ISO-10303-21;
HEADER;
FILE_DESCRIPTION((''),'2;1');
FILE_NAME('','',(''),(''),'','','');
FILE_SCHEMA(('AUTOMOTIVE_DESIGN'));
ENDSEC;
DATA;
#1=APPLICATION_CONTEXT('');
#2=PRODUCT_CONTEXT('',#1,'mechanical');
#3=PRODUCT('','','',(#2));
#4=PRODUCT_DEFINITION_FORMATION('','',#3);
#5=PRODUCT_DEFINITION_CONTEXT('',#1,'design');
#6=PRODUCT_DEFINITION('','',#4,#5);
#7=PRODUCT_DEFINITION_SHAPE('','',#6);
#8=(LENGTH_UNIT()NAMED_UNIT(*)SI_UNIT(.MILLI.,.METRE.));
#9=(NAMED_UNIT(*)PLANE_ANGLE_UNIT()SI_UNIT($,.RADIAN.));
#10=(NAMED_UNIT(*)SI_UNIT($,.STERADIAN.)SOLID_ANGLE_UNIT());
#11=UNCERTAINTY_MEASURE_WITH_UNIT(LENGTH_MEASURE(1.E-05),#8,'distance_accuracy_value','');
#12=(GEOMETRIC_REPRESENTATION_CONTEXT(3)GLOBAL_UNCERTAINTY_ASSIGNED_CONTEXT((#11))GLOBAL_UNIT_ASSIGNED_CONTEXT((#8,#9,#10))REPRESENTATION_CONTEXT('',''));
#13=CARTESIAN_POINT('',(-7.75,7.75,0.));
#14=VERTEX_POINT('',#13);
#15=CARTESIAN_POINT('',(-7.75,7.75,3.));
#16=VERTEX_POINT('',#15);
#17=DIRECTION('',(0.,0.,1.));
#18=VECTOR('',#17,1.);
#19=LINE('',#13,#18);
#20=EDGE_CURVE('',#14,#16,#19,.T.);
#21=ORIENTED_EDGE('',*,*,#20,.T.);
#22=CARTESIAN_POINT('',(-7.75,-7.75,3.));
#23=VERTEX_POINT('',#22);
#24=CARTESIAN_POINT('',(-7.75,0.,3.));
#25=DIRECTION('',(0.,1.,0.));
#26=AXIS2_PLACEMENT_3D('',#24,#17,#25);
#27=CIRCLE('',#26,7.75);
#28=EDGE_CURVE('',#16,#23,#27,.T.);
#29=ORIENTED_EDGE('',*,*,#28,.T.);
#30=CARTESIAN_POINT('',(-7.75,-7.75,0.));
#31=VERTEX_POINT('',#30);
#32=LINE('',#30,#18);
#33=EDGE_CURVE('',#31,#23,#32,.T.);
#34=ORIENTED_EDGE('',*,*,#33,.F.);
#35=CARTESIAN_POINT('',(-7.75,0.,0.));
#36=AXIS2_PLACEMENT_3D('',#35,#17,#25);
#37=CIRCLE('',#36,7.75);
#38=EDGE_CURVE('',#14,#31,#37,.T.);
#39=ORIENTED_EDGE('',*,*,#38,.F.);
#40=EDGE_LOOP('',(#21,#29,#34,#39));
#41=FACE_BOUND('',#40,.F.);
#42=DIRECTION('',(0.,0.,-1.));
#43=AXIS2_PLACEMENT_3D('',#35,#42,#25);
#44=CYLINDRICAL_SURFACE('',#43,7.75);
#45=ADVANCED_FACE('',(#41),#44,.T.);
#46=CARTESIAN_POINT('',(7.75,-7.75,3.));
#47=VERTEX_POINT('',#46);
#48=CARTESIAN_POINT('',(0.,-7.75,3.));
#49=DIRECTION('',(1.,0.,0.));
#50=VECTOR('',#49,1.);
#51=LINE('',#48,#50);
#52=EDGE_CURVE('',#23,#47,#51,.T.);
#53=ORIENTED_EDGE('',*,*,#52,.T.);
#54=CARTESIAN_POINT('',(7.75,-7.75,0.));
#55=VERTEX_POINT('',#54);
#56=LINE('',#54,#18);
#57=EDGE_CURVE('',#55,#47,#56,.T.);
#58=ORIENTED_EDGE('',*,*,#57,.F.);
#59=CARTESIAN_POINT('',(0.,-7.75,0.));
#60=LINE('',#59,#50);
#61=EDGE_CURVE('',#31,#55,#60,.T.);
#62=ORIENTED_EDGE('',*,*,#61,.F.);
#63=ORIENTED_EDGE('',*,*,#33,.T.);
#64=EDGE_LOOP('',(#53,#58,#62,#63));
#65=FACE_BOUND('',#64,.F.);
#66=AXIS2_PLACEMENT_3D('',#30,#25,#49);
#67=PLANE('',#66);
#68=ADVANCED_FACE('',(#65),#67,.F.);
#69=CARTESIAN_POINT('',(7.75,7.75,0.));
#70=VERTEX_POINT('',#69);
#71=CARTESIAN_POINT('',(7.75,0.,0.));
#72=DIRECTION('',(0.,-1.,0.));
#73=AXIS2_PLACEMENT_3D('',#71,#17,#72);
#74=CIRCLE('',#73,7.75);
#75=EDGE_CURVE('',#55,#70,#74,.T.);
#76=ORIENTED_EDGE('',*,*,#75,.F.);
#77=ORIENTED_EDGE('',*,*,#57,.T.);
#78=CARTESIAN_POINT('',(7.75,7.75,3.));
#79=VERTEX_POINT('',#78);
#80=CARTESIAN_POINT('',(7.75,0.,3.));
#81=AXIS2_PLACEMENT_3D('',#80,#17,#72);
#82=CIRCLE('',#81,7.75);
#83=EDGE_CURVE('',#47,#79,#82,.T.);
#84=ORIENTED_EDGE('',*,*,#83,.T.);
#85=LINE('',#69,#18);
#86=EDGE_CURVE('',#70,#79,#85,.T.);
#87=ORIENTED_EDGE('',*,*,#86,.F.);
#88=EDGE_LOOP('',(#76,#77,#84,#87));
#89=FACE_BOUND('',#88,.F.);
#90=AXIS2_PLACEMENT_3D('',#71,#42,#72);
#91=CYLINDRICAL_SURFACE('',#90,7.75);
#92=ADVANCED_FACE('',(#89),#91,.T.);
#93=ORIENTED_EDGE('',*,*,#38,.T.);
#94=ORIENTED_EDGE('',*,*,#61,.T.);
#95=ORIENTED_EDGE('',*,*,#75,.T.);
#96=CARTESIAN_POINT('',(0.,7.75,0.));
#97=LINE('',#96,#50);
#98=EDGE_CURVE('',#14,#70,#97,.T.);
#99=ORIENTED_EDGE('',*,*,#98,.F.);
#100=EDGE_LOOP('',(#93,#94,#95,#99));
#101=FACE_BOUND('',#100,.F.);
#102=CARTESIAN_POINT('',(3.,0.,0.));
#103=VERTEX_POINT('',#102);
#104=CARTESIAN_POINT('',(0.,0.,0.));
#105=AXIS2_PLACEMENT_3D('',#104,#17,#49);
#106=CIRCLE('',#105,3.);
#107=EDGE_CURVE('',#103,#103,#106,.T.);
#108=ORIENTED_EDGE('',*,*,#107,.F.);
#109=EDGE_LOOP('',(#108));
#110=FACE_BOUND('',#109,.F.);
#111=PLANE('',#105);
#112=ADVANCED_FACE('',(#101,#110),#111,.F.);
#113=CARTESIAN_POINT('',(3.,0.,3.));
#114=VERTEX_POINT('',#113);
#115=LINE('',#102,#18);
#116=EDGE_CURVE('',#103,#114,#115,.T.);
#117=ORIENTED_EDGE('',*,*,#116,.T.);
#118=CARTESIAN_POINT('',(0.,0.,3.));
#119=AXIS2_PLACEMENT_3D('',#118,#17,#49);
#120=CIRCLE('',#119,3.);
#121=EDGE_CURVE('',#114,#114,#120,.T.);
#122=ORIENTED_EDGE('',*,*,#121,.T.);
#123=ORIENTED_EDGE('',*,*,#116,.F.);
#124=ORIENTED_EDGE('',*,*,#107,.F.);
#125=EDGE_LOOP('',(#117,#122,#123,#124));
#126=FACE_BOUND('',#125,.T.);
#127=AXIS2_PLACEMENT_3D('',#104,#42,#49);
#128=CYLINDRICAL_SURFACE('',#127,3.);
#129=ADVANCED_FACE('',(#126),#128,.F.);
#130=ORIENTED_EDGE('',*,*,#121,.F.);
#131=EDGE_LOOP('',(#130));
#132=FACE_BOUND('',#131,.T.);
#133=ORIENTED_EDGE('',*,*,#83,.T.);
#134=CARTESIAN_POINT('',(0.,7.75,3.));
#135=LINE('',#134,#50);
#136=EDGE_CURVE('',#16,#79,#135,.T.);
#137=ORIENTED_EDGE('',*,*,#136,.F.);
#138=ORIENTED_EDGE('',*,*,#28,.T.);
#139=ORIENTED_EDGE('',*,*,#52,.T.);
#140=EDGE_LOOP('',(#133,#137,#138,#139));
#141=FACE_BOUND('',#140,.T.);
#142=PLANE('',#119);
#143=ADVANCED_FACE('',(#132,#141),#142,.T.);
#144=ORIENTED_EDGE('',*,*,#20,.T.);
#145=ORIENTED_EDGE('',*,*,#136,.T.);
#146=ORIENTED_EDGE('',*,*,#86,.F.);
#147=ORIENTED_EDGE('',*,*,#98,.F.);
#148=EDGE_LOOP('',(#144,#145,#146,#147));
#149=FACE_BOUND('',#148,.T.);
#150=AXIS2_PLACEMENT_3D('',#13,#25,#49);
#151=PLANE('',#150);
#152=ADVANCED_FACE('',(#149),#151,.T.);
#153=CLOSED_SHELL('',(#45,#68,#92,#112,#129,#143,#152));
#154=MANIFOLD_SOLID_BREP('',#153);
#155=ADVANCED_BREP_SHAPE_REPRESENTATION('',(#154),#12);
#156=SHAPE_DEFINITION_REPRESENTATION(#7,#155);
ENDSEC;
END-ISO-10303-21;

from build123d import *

# Parameters (mm, degrees)
F0_W     = 15.5
F0_H     = 15.5
F0_R     = 3
F1_DEPTH = 3


with BuildPart() as f1:
    # F0 (on Top) → F1 (new body)
    with BuildSketch(Plane.XY):
        Rectangle(F0_W, F0_H)
        Circle(F0_R, mode=Mode.SUBTRACT)
        with BuildLine():
            ThreePointArc((7.75, -7.75), (15.5, 0), (7.75, 7.75))
            Line((7.75, 7.75), (7.75, -7.75))
        make_face()
        with BuildLine():
            Line((-7.75, -7.75), (-7.75, 7.75))
            ThreePointArc((-7.75, 7.75), (-15.5, 0), (-7.75, -7.75))
        make_face()
    extrude(amount=F1_DEPTH)


solid = f1.part
